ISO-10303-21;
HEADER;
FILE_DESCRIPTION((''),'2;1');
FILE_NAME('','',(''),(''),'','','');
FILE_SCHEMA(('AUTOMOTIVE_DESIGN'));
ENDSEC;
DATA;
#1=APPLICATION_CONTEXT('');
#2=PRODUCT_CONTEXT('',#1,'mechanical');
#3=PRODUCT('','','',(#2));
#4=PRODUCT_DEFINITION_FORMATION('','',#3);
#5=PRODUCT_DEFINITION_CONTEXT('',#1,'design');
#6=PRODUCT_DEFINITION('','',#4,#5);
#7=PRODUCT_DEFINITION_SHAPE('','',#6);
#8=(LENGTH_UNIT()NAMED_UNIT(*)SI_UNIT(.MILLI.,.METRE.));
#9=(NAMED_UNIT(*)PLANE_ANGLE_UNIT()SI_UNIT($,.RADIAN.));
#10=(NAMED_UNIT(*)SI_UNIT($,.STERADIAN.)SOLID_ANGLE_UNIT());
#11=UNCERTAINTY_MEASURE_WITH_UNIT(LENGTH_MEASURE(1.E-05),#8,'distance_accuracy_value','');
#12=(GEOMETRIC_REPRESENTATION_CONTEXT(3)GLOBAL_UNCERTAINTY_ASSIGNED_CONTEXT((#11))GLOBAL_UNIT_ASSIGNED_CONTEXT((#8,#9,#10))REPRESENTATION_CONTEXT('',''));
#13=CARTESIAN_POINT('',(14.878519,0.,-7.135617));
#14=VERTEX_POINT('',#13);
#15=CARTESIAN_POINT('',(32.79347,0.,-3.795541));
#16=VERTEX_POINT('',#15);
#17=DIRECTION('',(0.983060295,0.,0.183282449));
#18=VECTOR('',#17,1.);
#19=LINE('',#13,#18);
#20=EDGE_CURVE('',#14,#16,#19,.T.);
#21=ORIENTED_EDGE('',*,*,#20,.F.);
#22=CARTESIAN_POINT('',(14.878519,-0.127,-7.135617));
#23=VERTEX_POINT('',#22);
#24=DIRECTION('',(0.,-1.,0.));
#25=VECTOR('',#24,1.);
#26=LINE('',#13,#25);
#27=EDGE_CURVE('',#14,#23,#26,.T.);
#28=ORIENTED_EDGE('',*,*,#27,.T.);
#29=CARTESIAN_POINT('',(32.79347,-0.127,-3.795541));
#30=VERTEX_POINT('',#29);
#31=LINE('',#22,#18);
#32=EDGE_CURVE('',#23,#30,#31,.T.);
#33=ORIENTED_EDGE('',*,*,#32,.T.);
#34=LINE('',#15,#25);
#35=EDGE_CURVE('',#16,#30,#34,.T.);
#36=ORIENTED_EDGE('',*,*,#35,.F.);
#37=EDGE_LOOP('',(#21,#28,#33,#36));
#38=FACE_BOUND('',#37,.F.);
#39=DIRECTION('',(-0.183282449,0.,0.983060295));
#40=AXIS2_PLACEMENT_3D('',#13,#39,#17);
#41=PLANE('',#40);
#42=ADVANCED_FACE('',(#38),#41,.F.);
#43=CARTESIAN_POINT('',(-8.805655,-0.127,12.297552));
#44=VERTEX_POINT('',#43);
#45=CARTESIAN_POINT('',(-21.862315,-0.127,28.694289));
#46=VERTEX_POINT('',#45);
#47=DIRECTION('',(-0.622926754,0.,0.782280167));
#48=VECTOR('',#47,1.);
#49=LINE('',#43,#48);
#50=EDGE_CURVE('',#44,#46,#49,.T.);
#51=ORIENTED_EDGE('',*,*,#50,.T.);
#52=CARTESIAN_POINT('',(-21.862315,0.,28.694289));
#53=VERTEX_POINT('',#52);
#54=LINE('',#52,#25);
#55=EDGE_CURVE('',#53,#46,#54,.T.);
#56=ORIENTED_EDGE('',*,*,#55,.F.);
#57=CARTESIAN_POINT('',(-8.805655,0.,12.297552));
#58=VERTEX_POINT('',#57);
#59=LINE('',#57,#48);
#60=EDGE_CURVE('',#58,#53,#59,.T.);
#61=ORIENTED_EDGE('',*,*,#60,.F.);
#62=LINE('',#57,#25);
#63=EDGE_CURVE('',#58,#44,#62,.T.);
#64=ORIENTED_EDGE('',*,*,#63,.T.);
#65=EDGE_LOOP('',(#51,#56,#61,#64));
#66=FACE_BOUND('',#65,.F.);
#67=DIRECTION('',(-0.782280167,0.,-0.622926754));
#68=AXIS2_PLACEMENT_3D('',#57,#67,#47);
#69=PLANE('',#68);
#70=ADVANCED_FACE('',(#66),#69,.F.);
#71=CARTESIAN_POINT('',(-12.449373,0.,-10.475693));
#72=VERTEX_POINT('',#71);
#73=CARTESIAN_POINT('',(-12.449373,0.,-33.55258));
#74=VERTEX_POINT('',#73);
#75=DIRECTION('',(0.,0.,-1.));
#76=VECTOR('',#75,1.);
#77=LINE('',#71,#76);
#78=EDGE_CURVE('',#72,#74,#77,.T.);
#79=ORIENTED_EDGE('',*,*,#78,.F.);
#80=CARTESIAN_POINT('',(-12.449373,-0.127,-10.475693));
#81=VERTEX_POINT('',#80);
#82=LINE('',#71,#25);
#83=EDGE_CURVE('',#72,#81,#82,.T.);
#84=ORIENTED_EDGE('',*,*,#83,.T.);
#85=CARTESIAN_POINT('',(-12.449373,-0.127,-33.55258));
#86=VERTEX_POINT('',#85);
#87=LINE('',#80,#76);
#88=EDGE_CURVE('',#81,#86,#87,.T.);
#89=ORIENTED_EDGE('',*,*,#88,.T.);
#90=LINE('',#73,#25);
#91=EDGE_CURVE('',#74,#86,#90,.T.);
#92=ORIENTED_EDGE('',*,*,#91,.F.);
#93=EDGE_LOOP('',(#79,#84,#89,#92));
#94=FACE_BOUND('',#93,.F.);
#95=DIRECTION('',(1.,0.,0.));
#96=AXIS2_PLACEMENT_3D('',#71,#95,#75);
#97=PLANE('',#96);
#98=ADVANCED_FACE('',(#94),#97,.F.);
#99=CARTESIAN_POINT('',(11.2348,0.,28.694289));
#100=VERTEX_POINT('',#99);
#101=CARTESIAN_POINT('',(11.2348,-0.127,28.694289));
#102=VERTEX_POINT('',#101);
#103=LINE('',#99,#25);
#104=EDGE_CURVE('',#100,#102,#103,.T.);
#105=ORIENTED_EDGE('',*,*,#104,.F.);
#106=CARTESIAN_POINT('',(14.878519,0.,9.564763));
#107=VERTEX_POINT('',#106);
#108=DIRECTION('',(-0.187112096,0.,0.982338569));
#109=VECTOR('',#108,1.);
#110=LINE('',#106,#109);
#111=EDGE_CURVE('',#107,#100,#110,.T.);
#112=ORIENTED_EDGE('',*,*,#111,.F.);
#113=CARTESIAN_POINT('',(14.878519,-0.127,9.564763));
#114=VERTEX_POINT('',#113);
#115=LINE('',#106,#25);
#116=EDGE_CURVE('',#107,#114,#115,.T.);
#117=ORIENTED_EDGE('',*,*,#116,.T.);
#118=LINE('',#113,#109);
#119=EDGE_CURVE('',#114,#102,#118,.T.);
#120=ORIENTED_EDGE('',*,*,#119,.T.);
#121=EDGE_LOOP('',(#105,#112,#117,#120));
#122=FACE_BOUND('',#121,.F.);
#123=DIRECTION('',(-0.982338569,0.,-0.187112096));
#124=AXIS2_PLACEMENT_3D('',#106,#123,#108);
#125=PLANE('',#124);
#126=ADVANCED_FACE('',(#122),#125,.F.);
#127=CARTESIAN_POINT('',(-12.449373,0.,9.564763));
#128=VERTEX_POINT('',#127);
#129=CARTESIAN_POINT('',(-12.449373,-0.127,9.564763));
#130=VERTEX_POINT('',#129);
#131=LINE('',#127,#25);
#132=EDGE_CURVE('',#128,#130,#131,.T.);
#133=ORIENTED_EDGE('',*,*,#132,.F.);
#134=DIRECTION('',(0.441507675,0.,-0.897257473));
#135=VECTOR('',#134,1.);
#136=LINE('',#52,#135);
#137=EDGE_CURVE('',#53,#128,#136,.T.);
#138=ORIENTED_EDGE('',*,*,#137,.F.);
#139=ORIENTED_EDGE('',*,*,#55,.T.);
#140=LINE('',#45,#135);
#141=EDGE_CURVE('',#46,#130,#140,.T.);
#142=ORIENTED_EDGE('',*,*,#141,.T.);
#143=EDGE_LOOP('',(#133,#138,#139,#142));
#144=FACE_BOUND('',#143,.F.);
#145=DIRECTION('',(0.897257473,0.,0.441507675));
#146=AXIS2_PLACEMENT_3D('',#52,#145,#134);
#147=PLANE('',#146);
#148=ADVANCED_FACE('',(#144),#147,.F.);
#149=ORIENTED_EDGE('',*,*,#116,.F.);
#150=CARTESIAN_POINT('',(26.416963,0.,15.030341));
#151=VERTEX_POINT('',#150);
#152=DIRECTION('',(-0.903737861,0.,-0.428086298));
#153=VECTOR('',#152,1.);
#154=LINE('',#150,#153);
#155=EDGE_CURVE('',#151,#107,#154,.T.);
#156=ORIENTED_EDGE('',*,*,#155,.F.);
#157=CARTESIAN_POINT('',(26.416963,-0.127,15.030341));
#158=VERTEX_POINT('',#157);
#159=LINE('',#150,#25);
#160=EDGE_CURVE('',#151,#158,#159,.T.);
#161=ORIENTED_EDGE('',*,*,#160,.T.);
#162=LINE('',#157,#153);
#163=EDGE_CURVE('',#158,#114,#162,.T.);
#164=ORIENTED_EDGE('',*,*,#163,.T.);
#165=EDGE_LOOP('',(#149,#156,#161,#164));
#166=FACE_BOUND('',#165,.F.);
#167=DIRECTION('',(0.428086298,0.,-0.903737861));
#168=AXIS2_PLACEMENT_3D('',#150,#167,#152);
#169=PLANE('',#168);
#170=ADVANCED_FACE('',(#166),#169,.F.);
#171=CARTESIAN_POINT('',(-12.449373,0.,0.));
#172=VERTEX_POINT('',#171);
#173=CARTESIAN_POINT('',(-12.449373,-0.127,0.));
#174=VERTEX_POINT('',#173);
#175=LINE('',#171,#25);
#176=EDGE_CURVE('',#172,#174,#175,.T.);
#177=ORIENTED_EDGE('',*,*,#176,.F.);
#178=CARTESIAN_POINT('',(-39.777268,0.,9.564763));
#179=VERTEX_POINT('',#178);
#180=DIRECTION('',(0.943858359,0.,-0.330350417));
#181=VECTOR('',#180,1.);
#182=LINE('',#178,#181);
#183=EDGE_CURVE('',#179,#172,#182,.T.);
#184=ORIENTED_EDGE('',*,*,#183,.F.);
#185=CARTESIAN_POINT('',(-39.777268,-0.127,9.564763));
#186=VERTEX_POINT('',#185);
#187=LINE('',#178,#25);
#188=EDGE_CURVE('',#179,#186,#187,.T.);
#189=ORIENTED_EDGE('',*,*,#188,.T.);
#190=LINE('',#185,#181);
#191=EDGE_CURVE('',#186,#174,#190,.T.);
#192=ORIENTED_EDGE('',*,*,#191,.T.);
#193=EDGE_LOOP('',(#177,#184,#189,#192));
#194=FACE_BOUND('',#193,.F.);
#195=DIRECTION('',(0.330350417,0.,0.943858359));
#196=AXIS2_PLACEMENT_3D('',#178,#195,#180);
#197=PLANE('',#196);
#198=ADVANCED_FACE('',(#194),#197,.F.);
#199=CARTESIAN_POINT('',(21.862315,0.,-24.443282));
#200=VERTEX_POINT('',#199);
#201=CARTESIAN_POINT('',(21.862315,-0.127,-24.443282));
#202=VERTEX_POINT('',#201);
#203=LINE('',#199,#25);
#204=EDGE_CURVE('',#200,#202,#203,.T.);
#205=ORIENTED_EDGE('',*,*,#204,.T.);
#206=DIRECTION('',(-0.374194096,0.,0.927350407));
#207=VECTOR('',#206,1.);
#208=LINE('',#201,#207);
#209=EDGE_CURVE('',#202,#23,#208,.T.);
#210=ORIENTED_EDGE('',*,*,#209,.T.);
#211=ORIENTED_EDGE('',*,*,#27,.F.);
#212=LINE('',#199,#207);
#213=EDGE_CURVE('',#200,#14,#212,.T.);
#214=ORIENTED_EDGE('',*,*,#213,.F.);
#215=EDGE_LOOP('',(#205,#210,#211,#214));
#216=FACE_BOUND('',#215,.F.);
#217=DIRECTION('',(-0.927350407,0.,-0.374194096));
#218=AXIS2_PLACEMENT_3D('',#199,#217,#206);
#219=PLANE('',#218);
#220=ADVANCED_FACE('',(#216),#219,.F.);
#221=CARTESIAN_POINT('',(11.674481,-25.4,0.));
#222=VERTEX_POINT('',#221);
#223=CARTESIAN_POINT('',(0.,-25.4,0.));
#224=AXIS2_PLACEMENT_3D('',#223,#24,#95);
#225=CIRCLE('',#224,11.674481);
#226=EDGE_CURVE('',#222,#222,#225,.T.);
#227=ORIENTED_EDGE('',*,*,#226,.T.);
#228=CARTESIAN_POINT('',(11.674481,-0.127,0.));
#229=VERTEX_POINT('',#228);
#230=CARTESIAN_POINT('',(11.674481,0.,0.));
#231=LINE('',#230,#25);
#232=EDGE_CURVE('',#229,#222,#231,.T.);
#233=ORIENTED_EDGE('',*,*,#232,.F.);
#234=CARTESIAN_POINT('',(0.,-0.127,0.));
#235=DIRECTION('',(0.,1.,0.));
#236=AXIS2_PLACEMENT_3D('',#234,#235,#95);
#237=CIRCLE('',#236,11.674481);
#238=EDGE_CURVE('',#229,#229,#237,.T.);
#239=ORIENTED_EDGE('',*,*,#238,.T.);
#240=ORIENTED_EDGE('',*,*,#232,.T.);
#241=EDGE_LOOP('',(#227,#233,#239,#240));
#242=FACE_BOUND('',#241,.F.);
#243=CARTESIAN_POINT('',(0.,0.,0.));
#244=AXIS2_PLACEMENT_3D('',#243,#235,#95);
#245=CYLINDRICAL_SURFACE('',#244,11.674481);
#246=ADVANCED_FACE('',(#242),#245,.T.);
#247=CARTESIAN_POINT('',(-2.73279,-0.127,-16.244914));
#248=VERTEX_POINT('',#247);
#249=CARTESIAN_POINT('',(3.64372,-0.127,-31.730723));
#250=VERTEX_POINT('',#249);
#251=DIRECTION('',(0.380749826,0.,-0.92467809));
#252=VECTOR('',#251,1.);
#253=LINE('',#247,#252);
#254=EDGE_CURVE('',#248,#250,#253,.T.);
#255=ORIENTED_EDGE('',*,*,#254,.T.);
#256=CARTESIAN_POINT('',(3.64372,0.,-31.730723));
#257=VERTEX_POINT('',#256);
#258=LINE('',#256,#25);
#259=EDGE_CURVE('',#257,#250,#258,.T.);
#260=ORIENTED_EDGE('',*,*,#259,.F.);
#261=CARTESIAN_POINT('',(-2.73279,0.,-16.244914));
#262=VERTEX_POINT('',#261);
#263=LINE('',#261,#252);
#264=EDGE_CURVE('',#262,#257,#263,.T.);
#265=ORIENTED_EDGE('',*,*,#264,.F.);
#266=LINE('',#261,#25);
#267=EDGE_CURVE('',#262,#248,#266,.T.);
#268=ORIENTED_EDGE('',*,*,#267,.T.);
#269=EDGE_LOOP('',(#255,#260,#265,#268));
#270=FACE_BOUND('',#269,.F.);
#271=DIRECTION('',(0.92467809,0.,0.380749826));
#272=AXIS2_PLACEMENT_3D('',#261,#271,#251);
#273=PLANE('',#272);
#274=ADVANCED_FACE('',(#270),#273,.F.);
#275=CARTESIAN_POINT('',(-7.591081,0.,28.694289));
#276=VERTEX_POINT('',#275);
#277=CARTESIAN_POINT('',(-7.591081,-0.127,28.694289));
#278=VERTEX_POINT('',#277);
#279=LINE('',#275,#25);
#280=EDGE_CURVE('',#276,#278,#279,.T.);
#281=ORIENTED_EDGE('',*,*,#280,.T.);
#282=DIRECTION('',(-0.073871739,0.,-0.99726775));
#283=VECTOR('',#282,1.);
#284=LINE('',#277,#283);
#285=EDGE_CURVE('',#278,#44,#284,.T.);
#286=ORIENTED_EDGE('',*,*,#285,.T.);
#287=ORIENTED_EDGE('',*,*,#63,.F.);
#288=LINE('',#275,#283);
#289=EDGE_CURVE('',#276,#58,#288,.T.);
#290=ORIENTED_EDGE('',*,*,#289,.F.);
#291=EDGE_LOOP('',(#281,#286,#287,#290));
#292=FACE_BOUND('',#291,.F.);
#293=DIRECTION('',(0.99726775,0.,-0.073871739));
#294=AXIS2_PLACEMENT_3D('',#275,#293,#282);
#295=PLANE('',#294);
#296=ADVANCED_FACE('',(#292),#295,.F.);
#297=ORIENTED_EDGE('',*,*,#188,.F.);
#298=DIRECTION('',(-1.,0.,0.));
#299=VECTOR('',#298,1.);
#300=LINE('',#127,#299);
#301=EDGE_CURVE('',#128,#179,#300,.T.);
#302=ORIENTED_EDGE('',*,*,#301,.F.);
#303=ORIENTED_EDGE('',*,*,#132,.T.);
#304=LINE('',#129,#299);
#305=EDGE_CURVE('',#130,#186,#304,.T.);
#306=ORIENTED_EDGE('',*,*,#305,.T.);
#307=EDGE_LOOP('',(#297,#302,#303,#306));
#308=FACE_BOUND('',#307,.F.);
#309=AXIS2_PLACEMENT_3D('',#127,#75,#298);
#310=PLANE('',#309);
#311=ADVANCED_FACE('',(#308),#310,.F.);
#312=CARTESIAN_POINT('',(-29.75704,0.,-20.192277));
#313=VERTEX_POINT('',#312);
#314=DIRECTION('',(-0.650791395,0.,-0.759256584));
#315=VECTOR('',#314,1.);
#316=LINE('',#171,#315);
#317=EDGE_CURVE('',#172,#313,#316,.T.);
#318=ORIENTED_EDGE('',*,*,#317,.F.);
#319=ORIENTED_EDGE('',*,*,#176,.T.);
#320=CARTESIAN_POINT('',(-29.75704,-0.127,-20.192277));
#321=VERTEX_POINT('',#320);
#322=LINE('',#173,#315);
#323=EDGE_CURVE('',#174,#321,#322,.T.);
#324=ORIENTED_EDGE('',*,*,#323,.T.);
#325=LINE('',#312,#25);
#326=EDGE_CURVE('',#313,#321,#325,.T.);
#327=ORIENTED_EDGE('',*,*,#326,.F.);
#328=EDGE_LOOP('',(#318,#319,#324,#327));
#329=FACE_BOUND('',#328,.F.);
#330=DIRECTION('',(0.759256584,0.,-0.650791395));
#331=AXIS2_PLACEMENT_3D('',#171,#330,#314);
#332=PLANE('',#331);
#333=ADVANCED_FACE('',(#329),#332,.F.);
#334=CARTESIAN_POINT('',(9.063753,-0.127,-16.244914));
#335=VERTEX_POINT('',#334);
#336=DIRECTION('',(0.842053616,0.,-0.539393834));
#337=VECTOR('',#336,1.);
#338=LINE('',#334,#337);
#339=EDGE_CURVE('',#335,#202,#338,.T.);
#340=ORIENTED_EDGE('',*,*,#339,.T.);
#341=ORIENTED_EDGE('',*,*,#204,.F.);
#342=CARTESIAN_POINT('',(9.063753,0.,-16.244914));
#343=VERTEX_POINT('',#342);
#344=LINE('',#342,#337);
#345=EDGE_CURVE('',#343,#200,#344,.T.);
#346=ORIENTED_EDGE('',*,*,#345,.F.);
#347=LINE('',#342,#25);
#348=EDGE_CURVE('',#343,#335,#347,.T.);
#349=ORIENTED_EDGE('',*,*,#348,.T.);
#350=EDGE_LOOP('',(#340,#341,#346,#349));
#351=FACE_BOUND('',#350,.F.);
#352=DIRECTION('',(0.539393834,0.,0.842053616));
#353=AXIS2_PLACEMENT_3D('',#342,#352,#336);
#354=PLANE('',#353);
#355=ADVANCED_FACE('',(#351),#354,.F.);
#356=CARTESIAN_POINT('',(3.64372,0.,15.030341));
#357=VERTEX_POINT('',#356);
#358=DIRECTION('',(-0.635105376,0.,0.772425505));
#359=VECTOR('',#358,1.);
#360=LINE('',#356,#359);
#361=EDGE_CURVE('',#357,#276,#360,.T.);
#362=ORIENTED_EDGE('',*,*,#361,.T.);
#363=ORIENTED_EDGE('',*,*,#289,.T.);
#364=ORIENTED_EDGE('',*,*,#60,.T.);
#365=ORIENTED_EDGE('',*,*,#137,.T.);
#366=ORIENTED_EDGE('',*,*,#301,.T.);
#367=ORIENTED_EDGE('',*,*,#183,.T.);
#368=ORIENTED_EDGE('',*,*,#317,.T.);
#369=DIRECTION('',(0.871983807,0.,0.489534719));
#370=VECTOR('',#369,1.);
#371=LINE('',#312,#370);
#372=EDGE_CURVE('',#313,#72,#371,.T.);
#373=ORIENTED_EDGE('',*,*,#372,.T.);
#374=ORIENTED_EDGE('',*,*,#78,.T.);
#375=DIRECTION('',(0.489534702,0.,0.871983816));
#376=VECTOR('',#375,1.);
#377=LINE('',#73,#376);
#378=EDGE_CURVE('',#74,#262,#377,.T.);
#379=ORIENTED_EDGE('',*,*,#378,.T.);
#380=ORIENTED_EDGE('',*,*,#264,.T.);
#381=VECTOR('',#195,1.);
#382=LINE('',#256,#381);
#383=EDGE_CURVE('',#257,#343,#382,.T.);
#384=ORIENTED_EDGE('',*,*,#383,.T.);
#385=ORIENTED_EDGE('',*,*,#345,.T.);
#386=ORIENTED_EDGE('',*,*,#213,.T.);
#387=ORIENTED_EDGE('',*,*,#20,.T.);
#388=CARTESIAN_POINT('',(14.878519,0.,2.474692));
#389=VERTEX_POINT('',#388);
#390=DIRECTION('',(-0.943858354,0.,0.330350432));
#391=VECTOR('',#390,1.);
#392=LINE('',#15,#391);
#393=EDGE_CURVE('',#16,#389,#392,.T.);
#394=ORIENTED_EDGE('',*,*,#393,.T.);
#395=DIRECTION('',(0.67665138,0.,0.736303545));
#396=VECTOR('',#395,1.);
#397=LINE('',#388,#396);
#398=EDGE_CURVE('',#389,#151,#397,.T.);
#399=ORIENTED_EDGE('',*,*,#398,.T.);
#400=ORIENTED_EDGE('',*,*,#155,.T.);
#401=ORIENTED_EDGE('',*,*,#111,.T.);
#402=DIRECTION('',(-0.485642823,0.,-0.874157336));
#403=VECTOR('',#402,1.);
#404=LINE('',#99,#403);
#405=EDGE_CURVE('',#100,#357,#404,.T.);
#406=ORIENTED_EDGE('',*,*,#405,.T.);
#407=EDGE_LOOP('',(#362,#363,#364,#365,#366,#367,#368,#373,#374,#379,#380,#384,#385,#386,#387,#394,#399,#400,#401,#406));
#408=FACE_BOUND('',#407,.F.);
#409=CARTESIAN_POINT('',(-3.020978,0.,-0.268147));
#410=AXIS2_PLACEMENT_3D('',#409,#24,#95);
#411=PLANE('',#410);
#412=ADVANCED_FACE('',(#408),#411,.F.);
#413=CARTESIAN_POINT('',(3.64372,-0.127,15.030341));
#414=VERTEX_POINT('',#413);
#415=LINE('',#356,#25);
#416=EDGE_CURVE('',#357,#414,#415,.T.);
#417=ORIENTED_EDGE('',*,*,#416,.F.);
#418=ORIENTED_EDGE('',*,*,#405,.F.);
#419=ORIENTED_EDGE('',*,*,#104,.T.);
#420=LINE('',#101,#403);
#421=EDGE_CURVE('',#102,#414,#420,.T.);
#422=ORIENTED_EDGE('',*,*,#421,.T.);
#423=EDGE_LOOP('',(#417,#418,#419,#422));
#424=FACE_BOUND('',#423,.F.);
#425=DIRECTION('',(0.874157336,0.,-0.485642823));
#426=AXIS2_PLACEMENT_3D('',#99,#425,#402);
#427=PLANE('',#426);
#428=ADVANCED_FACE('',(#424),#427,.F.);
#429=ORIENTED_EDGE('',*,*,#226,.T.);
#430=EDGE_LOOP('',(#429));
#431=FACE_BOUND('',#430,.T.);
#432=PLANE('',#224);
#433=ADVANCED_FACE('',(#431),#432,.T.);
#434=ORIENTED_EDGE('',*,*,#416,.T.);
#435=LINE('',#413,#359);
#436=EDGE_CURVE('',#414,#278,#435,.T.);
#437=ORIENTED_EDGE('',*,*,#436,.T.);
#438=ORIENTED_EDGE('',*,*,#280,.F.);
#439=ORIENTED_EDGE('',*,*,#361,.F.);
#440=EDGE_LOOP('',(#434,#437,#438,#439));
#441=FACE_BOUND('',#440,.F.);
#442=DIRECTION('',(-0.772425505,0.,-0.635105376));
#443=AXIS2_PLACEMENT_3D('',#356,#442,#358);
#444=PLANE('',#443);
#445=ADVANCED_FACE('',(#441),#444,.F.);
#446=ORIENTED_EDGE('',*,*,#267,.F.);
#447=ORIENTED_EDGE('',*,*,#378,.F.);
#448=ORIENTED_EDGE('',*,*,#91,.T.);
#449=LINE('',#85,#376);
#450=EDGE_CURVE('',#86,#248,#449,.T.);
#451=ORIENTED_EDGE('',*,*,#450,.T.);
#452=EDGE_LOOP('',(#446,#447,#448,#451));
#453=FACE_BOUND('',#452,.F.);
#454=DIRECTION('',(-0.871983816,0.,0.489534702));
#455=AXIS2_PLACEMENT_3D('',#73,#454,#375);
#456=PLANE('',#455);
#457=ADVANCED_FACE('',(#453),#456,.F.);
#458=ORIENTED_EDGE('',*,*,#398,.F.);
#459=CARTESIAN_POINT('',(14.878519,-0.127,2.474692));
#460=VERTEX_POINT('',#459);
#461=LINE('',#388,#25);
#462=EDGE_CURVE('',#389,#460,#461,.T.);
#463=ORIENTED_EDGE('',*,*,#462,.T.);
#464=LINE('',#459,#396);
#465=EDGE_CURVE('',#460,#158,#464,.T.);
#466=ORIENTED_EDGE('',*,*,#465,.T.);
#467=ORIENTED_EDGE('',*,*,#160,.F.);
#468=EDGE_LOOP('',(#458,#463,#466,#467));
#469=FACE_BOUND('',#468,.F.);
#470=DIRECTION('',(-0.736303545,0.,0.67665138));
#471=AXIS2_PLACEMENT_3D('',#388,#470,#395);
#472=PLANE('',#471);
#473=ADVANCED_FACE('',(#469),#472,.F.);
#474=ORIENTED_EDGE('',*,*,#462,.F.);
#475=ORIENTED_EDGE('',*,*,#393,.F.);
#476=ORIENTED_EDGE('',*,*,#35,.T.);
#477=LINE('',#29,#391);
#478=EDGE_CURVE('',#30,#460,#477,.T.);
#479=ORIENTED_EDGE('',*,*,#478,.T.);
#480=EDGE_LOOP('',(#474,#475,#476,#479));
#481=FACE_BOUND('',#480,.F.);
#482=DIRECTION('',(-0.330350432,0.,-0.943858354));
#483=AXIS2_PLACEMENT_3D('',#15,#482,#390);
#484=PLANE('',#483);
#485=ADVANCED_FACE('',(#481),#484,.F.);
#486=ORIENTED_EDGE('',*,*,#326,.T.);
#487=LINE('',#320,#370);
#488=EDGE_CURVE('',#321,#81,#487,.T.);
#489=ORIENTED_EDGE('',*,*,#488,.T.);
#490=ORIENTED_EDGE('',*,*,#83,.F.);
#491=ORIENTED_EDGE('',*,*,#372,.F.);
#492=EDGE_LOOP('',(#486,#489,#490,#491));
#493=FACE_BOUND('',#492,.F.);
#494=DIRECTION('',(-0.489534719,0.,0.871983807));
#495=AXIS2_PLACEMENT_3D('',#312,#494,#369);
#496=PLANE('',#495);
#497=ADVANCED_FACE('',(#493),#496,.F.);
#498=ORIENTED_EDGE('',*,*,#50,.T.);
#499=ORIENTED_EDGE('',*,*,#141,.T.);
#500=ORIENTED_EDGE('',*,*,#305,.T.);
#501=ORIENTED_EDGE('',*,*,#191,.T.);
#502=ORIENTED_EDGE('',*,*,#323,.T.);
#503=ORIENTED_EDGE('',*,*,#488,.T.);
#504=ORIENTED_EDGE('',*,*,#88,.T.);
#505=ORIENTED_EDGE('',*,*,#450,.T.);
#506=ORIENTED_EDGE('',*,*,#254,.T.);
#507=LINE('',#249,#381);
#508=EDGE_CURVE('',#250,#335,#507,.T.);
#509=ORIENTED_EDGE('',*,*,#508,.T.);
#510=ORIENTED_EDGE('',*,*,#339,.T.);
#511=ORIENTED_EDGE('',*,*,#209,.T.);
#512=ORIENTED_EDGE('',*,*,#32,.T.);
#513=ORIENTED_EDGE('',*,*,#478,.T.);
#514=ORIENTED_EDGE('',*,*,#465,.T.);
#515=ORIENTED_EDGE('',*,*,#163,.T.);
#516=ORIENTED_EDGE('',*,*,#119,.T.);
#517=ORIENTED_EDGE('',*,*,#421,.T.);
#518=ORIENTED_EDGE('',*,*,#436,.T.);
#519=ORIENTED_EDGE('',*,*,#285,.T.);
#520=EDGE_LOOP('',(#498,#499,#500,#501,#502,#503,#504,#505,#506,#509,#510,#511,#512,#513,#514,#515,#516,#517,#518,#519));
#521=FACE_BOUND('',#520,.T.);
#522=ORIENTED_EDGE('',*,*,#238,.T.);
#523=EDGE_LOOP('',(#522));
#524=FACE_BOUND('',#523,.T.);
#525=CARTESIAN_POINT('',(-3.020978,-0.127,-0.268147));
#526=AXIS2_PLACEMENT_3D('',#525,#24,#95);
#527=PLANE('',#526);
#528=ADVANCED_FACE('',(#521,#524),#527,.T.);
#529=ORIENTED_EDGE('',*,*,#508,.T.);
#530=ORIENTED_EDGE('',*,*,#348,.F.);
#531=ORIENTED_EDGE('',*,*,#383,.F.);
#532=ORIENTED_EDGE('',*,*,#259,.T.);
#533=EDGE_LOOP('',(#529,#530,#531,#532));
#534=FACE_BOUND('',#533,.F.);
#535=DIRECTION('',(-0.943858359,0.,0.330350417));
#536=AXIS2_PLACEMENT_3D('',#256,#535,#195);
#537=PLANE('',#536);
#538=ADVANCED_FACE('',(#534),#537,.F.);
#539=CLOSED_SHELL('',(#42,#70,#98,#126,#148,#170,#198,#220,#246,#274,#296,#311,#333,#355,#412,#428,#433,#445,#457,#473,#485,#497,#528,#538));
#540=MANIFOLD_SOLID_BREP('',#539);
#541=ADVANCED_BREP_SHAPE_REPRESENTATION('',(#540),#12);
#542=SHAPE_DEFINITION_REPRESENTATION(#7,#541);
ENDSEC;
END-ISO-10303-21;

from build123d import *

# Parameters (mm, degrees)
F0_R     = 11.674481
F1_DEPTH = 25.4
F3_DEPTH = 0.127


with BuildPart() as f1:
    # F0 (on Front) → F1 (new body)
    with BuildSketch(Plane.XZ):
        Circle(F0_R)
    extrude(amount=F1_DEPTH)

    # F2 (on Front) → F3 (join)
    with BuildSketch(Plane.XZ):
        Polygon((-7.591081, 28.694289), (-8.805655, 12.297552), (-21.862315, 28.694289), (-12.449373, 9.564763), (-39.777268, 9.564763), (-12.449373, 0), (-29.75704, -20.192277), (-12.449373, -10.475693), (-12.449373, -33.55258), (-2.73279, -16.244914), (3.64372, -31.730723), (9.063753, -16.244914), (21.862315, -24.443282), (14.878519, -7.135617), (32.79347, -3.795541), (14.878519, 2.474692), (26.416963, 15.030341), (14.878519, 9.564763), (11.2348, 28.694289), (3.64372, 15.030341), align=None)
    extrude(amount=F3_DEPTH)


solid = f1.part
